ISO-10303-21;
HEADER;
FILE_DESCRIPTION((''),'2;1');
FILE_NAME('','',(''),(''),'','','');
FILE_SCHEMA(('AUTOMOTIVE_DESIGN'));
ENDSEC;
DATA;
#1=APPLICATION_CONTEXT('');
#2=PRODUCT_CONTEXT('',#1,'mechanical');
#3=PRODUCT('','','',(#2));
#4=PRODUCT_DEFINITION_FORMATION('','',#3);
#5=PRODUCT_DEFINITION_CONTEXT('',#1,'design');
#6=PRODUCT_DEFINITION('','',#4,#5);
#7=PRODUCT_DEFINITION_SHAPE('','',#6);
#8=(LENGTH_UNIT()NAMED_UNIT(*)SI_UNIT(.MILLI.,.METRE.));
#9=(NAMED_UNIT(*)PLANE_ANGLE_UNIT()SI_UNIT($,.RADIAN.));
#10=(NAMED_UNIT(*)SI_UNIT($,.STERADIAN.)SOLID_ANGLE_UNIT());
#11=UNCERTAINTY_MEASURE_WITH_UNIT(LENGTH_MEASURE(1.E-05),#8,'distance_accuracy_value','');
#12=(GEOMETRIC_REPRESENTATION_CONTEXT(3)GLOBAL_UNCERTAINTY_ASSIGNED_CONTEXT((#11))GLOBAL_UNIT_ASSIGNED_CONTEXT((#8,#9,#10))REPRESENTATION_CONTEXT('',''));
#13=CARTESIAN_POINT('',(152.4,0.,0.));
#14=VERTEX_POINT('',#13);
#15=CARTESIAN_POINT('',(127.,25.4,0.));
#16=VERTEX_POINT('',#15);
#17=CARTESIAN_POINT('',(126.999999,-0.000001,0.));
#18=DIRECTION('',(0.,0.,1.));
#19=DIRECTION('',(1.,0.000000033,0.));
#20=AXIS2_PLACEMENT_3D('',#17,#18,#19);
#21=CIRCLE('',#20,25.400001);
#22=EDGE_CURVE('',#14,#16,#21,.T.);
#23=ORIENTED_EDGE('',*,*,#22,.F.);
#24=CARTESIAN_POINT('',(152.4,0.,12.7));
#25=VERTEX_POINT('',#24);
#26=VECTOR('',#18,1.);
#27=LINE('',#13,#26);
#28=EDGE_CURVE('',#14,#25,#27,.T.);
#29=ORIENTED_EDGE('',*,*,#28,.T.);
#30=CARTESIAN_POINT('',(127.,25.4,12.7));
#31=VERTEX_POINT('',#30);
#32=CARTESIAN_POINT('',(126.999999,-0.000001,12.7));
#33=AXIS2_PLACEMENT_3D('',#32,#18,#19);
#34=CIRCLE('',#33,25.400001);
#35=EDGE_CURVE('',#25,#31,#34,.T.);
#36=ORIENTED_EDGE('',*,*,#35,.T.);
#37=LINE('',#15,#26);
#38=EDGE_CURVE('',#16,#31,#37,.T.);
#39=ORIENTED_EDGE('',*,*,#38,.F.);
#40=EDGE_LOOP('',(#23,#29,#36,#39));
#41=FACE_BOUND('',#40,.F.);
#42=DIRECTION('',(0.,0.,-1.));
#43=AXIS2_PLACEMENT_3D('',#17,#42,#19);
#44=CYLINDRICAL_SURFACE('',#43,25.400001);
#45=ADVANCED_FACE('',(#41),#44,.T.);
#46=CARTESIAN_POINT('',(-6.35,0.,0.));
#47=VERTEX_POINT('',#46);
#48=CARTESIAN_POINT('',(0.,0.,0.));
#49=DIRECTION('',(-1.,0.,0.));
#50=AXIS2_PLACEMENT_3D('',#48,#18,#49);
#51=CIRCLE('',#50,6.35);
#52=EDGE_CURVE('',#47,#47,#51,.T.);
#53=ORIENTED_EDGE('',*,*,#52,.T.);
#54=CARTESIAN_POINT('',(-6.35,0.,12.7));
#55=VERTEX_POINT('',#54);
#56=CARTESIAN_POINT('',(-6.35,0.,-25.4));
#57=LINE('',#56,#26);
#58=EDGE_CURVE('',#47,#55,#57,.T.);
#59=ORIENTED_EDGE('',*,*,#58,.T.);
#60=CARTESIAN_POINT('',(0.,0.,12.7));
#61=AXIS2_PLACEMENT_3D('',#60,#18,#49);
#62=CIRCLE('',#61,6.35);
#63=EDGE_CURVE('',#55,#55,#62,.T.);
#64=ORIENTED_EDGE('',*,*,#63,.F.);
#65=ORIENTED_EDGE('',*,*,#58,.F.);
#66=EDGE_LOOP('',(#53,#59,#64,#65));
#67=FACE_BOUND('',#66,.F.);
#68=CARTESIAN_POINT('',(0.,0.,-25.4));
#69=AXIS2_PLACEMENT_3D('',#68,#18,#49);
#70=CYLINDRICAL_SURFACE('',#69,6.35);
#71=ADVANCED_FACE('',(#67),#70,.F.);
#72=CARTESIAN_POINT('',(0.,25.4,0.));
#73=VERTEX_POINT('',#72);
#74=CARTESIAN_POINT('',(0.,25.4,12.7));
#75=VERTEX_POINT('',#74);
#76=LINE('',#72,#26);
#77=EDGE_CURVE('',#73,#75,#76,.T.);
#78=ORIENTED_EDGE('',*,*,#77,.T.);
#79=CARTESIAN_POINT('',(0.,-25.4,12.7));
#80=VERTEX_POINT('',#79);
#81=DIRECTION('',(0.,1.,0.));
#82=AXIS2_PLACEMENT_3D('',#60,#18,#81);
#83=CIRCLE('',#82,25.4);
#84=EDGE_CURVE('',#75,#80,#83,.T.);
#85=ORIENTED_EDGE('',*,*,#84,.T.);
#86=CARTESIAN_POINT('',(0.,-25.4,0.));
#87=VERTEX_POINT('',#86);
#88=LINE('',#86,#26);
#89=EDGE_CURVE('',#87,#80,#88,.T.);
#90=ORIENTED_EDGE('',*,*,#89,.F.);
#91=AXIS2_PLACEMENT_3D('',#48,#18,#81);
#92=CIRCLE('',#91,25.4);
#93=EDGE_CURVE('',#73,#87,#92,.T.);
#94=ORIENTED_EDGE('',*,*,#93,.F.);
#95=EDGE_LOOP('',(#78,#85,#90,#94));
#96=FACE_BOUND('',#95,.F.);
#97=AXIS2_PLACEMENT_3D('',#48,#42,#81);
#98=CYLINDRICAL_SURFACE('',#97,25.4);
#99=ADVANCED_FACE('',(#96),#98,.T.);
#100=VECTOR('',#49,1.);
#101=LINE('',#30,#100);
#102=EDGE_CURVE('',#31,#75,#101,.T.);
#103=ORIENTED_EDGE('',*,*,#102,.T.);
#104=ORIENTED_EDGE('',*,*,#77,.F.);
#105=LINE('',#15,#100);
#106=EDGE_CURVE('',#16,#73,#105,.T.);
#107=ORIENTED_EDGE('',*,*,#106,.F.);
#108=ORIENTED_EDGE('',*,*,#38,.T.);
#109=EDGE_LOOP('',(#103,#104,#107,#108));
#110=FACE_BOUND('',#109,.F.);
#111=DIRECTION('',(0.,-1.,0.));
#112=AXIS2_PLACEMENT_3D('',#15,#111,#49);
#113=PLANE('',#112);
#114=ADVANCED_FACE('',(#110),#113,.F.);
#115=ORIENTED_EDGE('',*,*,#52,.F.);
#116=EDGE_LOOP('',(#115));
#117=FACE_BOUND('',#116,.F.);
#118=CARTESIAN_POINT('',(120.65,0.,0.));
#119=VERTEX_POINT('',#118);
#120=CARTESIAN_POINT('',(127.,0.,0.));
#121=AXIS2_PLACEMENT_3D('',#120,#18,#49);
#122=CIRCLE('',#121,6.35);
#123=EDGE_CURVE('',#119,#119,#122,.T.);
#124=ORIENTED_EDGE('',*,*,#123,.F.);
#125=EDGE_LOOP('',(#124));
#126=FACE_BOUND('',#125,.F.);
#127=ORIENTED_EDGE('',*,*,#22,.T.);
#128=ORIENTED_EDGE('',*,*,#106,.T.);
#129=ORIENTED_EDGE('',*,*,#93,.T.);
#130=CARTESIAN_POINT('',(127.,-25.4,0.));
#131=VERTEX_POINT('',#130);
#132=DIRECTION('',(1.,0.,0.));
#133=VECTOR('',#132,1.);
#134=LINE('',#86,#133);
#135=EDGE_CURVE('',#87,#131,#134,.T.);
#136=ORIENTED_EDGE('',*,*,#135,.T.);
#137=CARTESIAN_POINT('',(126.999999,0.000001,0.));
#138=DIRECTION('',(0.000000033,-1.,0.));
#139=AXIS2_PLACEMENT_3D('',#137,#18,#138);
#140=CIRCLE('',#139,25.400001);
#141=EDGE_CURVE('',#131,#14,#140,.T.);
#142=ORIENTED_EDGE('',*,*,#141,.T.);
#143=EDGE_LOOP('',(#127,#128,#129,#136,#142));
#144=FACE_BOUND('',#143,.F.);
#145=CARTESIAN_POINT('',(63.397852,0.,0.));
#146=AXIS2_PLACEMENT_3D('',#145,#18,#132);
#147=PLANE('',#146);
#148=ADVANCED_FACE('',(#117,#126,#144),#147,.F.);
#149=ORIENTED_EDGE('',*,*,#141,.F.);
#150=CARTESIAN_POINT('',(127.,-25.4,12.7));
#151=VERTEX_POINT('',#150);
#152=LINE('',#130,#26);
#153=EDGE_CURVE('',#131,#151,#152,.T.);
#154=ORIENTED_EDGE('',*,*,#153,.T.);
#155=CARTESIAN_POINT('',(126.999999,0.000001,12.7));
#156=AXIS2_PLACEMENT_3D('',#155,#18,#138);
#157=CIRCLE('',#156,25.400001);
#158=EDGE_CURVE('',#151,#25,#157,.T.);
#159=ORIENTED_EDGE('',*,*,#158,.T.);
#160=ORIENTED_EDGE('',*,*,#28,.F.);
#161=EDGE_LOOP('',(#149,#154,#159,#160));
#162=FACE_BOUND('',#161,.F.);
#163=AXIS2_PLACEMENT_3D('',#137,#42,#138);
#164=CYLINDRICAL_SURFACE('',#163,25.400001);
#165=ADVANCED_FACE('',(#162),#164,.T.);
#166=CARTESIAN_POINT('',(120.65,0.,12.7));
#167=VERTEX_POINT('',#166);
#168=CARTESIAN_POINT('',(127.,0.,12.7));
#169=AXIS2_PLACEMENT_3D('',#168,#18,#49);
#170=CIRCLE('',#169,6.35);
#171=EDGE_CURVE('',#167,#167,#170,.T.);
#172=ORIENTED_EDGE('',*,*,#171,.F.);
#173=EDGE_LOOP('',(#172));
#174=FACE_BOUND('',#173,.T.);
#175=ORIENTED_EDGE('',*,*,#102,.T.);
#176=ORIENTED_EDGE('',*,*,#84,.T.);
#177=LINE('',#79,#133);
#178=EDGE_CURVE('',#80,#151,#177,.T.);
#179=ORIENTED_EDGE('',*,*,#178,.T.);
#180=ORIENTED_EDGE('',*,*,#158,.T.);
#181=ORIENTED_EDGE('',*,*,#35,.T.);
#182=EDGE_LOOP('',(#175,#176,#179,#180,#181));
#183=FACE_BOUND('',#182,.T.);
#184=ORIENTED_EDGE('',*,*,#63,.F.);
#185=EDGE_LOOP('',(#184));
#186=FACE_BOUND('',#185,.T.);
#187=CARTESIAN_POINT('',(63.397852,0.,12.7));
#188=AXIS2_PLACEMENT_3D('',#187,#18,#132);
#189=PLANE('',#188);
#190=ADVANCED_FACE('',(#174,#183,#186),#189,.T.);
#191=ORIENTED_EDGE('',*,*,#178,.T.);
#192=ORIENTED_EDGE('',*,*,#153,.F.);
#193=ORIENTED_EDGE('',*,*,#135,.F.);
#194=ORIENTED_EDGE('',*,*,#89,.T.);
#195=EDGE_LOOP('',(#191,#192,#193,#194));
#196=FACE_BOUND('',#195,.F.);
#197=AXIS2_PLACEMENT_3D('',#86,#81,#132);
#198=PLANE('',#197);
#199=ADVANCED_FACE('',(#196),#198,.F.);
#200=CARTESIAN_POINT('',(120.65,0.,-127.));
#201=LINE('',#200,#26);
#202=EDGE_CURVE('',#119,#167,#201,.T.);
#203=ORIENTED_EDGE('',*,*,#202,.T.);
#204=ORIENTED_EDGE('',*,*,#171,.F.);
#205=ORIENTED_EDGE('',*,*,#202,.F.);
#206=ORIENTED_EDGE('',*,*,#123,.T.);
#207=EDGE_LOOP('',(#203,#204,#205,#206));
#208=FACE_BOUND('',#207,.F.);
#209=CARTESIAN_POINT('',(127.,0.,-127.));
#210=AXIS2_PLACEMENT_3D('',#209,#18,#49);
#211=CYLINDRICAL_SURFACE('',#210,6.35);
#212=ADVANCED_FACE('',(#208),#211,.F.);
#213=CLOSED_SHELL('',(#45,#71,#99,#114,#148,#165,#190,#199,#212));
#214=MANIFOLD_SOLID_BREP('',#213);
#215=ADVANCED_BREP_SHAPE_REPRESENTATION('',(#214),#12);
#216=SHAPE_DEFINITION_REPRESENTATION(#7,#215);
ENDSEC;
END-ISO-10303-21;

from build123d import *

# Parameters (mm, degrees)
F2_DEPTH = 12.7
F3_D     = 12.7
F3_DEPTH = 25.4
F4_D     = 12.7
F4_DEPTH = 127


with BuildPart() as f2:
    # F0 (on Top) → F2 (new body)
    with BuildSketch(Plane.XY):
        with BuildLine():
            ThreePointArc((25.4, 0), (17.960512, -17.960512), (0, -25.4))
            Line((0, -25.4), (127, -25.4))
            ThreePointArc((127, -25.4), (101.6, 0), (127, 25.4))
            Line((127, 25.4), (0, 25.4))
            ThreePointArc((0, 25.4), (17.960512, 17.960512), (25.4, 0))
        make_face()
        with BuildLine():
            ThreePointArc((0, 25.4), (-25.4, 0), (0, -25.4))
            ThreePointArc((0, -25.4), (17.960512, -17.960512), (25.4, 0))
            ThreePointArc((25.4, 0), (17.960512, 17.960512), (0, 25.4))
        make_face()
        with BuildLine():
            ThreePointArc((127, 25.4), (101.6, 0), (127, -25.4))
            ThreePointArc((127, -25.4), (144.960512, -17.960512), (152.4, 0))
            ThreePointArc((152.4, 0), (144.960512, 17.960512), (127, 25.4))
        make_face()
    extrude(amount=F2_DEPTH)

    # F3
    with Locations(Plane(origin=(0, 0, 0), x_dir=(1, 0, 0), z_dir=(0, 0, -1))):
        with Locations((0, 0)):
            Hole(F3_D / 2, depth=F3_DEPTH)

    # F4
    with Locations(Plane(origin=(0, 0, 0), x_dir=(1, 0, 0), z_dir=(0, 0, -1))):
        with Locations((127, 0)):
            Hole(F4_D / 2, depth=F4_DEPTH)


solid = f2.part
